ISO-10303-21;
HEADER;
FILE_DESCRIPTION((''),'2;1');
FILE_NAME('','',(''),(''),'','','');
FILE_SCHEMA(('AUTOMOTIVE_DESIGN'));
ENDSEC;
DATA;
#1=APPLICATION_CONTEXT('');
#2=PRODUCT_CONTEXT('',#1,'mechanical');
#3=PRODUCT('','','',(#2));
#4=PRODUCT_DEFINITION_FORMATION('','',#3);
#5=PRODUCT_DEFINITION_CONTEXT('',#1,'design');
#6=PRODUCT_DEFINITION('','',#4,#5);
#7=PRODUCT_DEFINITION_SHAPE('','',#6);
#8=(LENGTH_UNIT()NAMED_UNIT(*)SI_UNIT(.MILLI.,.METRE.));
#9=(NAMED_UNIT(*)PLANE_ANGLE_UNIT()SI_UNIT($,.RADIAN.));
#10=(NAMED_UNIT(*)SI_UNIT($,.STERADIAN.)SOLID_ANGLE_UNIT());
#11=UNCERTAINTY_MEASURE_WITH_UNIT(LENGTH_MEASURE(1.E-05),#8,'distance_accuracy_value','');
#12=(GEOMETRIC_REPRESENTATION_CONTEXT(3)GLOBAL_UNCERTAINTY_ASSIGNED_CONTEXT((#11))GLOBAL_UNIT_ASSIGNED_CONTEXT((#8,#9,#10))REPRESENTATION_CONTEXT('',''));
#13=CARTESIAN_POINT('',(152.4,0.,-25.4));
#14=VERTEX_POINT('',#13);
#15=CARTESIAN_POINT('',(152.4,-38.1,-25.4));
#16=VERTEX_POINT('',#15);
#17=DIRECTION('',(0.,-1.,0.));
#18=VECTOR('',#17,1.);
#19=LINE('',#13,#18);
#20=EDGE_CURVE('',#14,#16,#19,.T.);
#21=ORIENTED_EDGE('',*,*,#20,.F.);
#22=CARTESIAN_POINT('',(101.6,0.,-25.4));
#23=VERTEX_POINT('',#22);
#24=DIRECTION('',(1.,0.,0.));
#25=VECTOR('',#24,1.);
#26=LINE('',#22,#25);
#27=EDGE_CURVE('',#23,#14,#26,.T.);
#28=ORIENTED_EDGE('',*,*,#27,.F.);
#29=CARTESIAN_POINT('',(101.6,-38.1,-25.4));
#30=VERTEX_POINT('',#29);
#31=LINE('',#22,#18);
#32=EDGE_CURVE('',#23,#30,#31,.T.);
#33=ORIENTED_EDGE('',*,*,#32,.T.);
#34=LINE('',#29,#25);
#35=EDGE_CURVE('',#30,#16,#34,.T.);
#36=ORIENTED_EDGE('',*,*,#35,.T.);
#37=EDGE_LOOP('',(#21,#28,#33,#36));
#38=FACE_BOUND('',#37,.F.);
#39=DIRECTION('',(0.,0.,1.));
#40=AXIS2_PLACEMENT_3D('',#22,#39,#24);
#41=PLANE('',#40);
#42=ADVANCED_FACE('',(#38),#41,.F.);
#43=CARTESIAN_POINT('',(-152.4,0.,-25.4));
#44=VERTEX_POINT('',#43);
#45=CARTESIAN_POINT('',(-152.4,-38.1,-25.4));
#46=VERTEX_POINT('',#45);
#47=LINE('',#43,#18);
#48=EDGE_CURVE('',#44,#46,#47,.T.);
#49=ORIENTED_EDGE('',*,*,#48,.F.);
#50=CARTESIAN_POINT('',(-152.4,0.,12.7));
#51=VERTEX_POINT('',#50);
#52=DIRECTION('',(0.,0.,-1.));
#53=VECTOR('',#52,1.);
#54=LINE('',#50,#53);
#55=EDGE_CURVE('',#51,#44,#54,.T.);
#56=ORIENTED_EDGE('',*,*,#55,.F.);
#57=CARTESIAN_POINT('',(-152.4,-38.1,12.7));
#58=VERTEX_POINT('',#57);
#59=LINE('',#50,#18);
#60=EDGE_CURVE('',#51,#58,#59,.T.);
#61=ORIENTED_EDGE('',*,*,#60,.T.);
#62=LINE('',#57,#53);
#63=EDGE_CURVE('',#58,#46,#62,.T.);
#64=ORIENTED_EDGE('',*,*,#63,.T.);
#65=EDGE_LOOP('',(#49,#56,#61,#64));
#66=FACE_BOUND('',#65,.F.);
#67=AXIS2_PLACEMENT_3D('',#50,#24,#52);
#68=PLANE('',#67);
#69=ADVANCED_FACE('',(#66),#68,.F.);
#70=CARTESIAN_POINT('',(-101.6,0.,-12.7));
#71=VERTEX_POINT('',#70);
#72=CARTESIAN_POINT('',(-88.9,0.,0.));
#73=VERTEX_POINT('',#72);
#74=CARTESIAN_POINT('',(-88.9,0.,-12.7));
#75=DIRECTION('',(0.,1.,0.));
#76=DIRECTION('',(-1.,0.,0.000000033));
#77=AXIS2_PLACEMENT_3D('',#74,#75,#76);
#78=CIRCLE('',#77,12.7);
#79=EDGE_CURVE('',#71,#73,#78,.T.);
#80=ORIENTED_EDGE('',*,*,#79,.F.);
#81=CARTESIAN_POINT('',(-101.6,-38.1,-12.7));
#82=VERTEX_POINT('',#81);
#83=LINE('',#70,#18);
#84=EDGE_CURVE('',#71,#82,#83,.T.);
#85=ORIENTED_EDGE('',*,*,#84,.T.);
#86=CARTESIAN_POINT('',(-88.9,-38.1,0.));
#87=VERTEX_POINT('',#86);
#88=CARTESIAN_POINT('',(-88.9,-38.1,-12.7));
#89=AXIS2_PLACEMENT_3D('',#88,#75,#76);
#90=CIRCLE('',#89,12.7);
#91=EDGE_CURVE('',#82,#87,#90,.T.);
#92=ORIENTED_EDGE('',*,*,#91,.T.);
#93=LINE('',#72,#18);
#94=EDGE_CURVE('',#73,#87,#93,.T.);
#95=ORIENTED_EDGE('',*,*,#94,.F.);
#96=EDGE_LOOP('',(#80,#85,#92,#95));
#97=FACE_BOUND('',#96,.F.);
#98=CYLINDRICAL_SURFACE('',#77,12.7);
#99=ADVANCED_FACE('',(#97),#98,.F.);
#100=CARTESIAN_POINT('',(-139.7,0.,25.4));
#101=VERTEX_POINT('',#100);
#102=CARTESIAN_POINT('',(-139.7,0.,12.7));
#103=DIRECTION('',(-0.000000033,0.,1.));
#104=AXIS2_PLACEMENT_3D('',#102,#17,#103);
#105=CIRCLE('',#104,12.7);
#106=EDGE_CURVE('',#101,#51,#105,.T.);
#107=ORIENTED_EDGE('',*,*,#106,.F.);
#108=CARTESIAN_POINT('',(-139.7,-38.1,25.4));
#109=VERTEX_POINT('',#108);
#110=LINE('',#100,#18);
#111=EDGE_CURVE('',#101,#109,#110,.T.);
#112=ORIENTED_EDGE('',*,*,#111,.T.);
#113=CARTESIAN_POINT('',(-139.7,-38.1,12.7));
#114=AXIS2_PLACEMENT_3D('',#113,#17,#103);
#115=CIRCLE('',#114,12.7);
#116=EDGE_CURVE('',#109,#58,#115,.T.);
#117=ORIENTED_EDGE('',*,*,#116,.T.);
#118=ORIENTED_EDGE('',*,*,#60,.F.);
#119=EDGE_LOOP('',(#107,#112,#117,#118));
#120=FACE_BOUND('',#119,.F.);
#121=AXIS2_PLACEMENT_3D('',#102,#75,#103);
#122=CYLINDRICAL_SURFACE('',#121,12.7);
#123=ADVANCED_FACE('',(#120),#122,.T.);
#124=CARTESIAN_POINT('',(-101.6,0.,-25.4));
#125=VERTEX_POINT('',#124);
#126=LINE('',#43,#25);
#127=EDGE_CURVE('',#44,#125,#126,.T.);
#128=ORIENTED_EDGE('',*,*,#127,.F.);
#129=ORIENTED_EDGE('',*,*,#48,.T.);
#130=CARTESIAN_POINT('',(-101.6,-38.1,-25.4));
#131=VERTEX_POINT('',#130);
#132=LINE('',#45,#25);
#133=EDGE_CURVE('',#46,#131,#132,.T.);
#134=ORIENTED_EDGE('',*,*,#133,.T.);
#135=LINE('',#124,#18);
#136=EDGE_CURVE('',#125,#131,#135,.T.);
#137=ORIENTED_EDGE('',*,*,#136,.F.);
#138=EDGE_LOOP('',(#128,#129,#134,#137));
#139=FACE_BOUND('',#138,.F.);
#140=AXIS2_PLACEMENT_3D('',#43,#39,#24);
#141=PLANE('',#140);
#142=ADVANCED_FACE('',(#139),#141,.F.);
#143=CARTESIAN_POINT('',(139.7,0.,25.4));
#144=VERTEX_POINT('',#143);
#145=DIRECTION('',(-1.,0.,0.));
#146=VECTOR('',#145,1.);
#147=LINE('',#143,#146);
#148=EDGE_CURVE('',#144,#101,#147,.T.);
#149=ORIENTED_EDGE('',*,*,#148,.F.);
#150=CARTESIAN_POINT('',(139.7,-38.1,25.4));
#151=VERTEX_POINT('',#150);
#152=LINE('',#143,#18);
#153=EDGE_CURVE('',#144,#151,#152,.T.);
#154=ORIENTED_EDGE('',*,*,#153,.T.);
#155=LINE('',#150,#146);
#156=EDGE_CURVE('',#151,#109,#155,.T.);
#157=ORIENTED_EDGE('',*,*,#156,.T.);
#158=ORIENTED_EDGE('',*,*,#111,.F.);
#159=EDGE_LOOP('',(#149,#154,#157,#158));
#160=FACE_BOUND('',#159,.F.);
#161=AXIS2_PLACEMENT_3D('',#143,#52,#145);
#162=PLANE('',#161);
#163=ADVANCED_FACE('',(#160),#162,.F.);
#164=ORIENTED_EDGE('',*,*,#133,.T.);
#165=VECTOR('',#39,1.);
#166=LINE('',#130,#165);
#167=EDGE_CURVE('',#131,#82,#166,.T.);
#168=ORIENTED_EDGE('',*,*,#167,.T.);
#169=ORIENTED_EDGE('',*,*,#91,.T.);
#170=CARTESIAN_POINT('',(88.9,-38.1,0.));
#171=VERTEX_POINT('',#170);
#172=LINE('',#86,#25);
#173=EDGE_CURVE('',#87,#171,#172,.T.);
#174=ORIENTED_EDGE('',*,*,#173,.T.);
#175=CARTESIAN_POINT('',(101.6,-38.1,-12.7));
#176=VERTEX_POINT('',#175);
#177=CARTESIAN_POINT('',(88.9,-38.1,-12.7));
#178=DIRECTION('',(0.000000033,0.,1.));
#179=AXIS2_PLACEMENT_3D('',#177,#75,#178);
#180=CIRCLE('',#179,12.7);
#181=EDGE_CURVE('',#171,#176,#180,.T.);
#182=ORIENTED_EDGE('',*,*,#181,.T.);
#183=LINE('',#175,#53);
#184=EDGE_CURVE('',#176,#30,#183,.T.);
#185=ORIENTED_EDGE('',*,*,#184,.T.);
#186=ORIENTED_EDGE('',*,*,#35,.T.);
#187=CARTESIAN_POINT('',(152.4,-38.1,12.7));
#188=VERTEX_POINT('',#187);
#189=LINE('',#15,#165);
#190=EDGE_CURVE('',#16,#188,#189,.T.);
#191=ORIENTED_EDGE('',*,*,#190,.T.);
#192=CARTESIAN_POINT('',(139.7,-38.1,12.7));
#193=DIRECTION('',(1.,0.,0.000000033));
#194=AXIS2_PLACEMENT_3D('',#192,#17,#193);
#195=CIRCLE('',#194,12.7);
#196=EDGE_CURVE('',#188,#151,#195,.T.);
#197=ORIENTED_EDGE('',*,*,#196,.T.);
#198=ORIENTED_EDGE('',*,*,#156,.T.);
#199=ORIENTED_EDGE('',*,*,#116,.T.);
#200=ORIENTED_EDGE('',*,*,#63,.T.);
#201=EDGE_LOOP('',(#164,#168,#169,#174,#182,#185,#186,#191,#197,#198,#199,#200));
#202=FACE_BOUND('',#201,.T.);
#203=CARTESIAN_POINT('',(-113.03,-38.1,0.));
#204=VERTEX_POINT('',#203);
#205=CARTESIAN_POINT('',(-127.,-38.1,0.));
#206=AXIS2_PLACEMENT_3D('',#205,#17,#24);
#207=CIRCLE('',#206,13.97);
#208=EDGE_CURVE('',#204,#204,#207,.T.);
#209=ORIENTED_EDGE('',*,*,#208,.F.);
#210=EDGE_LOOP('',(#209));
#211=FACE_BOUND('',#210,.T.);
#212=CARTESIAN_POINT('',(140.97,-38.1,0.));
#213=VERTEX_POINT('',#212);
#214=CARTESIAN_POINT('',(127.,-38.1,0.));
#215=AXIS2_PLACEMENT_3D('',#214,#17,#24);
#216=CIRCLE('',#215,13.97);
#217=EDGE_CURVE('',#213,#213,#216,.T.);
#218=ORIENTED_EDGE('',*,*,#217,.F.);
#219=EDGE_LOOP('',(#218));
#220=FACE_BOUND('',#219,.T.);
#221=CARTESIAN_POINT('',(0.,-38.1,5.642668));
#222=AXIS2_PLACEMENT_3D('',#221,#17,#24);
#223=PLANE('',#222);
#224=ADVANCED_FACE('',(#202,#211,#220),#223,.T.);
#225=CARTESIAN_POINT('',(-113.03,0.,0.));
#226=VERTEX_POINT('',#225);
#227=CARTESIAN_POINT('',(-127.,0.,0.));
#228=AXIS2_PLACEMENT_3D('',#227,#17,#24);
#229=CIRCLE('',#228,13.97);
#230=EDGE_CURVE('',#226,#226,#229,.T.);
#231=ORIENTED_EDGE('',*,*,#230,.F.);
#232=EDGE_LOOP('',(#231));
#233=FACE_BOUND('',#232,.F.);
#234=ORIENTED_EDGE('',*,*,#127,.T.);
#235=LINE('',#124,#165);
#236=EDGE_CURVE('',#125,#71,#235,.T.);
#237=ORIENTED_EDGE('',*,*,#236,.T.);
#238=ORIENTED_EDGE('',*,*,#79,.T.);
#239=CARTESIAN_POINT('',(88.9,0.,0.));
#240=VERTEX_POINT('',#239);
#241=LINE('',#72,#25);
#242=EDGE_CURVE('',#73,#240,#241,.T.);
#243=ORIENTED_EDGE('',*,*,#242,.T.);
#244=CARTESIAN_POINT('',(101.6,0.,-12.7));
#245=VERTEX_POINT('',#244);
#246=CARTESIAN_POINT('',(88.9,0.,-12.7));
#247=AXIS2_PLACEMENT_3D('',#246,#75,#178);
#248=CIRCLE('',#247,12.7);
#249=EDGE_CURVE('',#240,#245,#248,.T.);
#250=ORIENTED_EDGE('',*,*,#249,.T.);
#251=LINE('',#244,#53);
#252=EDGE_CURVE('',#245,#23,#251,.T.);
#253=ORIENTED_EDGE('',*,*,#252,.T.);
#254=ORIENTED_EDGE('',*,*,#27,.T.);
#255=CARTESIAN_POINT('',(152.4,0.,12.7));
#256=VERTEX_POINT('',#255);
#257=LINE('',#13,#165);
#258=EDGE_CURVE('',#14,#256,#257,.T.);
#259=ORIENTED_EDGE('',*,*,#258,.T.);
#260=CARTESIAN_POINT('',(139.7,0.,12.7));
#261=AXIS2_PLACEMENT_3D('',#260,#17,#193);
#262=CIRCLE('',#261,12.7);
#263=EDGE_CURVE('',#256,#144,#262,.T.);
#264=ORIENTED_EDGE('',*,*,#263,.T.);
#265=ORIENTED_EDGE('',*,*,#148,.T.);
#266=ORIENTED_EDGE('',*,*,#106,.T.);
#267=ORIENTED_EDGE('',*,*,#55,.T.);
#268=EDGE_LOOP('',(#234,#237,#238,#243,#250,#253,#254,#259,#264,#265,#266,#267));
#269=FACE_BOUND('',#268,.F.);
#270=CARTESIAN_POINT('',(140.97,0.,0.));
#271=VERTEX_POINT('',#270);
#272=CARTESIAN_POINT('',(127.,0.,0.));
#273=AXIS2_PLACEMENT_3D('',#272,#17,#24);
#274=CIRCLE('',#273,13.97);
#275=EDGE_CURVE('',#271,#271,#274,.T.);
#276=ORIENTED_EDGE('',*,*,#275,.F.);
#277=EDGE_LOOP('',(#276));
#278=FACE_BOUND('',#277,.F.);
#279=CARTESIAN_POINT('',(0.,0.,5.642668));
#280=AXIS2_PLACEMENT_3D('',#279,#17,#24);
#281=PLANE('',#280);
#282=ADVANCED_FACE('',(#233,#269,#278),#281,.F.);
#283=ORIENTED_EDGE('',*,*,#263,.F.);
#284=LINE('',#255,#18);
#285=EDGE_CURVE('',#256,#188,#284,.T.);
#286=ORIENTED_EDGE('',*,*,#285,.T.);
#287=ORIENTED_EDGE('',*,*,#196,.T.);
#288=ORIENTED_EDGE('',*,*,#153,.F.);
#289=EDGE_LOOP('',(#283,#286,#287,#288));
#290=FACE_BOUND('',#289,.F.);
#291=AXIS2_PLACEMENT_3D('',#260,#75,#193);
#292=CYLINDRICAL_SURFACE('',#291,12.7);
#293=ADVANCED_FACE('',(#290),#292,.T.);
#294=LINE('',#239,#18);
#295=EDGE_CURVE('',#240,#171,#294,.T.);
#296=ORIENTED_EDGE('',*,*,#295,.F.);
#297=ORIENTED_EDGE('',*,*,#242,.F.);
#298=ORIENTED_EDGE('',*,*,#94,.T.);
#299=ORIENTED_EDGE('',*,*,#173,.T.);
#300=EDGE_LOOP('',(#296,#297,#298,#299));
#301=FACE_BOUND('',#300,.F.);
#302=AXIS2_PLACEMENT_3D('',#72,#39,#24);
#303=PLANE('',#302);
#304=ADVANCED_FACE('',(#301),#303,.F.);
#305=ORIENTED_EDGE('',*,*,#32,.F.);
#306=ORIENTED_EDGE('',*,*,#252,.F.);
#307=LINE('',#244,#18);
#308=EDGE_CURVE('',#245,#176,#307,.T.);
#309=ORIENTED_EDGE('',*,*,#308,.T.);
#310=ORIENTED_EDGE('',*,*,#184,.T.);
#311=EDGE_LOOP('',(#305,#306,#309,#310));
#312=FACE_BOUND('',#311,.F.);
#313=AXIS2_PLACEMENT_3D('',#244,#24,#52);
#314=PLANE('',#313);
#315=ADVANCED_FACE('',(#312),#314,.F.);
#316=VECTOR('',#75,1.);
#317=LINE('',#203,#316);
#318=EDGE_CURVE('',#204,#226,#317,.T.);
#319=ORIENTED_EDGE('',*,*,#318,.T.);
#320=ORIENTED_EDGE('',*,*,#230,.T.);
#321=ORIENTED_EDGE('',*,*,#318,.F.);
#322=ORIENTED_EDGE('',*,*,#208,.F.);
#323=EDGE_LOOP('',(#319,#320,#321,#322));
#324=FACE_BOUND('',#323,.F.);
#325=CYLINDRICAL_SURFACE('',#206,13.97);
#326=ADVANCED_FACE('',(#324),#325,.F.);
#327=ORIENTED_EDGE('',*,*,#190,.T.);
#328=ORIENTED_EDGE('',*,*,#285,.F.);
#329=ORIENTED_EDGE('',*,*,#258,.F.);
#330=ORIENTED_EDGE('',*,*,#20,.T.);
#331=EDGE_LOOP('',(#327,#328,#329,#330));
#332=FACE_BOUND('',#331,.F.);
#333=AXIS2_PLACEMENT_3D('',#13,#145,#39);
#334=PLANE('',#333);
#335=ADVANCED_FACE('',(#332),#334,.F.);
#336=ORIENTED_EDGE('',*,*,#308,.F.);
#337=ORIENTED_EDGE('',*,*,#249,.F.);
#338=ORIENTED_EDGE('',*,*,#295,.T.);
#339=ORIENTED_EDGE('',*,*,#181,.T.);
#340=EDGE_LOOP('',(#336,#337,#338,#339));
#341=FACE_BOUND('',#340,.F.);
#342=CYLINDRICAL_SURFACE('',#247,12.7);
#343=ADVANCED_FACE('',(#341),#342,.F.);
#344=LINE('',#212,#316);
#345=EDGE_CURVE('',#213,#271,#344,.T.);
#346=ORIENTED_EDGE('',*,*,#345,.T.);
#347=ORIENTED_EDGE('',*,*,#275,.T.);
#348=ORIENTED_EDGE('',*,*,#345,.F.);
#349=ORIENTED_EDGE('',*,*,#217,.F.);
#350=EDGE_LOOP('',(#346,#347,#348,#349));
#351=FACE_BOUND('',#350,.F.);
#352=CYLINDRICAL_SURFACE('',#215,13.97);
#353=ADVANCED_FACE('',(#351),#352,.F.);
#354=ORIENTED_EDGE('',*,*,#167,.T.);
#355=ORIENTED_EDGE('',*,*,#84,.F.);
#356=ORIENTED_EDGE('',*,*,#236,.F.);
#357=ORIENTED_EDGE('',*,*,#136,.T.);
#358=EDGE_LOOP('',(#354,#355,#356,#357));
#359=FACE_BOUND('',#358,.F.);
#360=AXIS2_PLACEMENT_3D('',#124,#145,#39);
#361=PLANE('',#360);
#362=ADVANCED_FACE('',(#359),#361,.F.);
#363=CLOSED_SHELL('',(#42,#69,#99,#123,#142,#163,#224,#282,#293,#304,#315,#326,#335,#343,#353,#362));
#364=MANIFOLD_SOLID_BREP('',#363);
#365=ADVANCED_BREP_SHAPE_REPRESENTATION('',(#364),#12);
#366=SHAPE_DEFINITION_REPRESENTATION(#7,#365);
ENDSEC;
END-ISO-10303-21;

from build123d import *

# Parameters (mm, degrees)
F1_DEPTH = 38.1
F2_R     = 13.97
F3_DEPTH = 38.101


with BuildPart() as f1:
    # F0 (on Front) → F1 (new body)
    with BuildSketch(Plane.XZ):
        with BuildLine():
            Line((139.7, 25.4), (-139.7, 25.4))
            ThreePointArc((-139.7, 25.4), (-148.680256, 21.680256), (-152.4, 12.7))
            Line((-152.4, 12.7), (-152.4, -25.4))
            Line((-152.4, -25.4), (-101.6, -25.4))
            Line((-101.6, -25.4), (-101.6, -12.7))
            ThreePointArc((-101.6, -12.7), (-97.880256, -3.719744), (-88.9, 0))
            Line((-88.9, 0), (88.9, 0))
            ThreePointArc((88.9, 0), (97.880256, -3.719744), (101.6, -12.7))
            Line((101.6, -12.7), (101.6, -25.4))
            Line((101.6, -25.4), (152.4, -25.4))
            Line((152.4, -25.4), (152.4, 12.7))
            ThreePointArc((152.4, 12.7), (148.680256, 21.680256), (139.7, 25.4))
        make_face()
    extrude(amount=F1_DEPTH)

    # F2 (on face) → F3 (cut, through all)
    with BuildSketch(Plane.XZ.offset(38.1)):
        with Locations((-127, 0)):
            Circle(F2_R)
        with Locations((127, 0)):
            Circle(F2_R)
    extrude(amount=-F3_DEPTH, mode=Mode.SUBTRACT)


solid = f1.part
